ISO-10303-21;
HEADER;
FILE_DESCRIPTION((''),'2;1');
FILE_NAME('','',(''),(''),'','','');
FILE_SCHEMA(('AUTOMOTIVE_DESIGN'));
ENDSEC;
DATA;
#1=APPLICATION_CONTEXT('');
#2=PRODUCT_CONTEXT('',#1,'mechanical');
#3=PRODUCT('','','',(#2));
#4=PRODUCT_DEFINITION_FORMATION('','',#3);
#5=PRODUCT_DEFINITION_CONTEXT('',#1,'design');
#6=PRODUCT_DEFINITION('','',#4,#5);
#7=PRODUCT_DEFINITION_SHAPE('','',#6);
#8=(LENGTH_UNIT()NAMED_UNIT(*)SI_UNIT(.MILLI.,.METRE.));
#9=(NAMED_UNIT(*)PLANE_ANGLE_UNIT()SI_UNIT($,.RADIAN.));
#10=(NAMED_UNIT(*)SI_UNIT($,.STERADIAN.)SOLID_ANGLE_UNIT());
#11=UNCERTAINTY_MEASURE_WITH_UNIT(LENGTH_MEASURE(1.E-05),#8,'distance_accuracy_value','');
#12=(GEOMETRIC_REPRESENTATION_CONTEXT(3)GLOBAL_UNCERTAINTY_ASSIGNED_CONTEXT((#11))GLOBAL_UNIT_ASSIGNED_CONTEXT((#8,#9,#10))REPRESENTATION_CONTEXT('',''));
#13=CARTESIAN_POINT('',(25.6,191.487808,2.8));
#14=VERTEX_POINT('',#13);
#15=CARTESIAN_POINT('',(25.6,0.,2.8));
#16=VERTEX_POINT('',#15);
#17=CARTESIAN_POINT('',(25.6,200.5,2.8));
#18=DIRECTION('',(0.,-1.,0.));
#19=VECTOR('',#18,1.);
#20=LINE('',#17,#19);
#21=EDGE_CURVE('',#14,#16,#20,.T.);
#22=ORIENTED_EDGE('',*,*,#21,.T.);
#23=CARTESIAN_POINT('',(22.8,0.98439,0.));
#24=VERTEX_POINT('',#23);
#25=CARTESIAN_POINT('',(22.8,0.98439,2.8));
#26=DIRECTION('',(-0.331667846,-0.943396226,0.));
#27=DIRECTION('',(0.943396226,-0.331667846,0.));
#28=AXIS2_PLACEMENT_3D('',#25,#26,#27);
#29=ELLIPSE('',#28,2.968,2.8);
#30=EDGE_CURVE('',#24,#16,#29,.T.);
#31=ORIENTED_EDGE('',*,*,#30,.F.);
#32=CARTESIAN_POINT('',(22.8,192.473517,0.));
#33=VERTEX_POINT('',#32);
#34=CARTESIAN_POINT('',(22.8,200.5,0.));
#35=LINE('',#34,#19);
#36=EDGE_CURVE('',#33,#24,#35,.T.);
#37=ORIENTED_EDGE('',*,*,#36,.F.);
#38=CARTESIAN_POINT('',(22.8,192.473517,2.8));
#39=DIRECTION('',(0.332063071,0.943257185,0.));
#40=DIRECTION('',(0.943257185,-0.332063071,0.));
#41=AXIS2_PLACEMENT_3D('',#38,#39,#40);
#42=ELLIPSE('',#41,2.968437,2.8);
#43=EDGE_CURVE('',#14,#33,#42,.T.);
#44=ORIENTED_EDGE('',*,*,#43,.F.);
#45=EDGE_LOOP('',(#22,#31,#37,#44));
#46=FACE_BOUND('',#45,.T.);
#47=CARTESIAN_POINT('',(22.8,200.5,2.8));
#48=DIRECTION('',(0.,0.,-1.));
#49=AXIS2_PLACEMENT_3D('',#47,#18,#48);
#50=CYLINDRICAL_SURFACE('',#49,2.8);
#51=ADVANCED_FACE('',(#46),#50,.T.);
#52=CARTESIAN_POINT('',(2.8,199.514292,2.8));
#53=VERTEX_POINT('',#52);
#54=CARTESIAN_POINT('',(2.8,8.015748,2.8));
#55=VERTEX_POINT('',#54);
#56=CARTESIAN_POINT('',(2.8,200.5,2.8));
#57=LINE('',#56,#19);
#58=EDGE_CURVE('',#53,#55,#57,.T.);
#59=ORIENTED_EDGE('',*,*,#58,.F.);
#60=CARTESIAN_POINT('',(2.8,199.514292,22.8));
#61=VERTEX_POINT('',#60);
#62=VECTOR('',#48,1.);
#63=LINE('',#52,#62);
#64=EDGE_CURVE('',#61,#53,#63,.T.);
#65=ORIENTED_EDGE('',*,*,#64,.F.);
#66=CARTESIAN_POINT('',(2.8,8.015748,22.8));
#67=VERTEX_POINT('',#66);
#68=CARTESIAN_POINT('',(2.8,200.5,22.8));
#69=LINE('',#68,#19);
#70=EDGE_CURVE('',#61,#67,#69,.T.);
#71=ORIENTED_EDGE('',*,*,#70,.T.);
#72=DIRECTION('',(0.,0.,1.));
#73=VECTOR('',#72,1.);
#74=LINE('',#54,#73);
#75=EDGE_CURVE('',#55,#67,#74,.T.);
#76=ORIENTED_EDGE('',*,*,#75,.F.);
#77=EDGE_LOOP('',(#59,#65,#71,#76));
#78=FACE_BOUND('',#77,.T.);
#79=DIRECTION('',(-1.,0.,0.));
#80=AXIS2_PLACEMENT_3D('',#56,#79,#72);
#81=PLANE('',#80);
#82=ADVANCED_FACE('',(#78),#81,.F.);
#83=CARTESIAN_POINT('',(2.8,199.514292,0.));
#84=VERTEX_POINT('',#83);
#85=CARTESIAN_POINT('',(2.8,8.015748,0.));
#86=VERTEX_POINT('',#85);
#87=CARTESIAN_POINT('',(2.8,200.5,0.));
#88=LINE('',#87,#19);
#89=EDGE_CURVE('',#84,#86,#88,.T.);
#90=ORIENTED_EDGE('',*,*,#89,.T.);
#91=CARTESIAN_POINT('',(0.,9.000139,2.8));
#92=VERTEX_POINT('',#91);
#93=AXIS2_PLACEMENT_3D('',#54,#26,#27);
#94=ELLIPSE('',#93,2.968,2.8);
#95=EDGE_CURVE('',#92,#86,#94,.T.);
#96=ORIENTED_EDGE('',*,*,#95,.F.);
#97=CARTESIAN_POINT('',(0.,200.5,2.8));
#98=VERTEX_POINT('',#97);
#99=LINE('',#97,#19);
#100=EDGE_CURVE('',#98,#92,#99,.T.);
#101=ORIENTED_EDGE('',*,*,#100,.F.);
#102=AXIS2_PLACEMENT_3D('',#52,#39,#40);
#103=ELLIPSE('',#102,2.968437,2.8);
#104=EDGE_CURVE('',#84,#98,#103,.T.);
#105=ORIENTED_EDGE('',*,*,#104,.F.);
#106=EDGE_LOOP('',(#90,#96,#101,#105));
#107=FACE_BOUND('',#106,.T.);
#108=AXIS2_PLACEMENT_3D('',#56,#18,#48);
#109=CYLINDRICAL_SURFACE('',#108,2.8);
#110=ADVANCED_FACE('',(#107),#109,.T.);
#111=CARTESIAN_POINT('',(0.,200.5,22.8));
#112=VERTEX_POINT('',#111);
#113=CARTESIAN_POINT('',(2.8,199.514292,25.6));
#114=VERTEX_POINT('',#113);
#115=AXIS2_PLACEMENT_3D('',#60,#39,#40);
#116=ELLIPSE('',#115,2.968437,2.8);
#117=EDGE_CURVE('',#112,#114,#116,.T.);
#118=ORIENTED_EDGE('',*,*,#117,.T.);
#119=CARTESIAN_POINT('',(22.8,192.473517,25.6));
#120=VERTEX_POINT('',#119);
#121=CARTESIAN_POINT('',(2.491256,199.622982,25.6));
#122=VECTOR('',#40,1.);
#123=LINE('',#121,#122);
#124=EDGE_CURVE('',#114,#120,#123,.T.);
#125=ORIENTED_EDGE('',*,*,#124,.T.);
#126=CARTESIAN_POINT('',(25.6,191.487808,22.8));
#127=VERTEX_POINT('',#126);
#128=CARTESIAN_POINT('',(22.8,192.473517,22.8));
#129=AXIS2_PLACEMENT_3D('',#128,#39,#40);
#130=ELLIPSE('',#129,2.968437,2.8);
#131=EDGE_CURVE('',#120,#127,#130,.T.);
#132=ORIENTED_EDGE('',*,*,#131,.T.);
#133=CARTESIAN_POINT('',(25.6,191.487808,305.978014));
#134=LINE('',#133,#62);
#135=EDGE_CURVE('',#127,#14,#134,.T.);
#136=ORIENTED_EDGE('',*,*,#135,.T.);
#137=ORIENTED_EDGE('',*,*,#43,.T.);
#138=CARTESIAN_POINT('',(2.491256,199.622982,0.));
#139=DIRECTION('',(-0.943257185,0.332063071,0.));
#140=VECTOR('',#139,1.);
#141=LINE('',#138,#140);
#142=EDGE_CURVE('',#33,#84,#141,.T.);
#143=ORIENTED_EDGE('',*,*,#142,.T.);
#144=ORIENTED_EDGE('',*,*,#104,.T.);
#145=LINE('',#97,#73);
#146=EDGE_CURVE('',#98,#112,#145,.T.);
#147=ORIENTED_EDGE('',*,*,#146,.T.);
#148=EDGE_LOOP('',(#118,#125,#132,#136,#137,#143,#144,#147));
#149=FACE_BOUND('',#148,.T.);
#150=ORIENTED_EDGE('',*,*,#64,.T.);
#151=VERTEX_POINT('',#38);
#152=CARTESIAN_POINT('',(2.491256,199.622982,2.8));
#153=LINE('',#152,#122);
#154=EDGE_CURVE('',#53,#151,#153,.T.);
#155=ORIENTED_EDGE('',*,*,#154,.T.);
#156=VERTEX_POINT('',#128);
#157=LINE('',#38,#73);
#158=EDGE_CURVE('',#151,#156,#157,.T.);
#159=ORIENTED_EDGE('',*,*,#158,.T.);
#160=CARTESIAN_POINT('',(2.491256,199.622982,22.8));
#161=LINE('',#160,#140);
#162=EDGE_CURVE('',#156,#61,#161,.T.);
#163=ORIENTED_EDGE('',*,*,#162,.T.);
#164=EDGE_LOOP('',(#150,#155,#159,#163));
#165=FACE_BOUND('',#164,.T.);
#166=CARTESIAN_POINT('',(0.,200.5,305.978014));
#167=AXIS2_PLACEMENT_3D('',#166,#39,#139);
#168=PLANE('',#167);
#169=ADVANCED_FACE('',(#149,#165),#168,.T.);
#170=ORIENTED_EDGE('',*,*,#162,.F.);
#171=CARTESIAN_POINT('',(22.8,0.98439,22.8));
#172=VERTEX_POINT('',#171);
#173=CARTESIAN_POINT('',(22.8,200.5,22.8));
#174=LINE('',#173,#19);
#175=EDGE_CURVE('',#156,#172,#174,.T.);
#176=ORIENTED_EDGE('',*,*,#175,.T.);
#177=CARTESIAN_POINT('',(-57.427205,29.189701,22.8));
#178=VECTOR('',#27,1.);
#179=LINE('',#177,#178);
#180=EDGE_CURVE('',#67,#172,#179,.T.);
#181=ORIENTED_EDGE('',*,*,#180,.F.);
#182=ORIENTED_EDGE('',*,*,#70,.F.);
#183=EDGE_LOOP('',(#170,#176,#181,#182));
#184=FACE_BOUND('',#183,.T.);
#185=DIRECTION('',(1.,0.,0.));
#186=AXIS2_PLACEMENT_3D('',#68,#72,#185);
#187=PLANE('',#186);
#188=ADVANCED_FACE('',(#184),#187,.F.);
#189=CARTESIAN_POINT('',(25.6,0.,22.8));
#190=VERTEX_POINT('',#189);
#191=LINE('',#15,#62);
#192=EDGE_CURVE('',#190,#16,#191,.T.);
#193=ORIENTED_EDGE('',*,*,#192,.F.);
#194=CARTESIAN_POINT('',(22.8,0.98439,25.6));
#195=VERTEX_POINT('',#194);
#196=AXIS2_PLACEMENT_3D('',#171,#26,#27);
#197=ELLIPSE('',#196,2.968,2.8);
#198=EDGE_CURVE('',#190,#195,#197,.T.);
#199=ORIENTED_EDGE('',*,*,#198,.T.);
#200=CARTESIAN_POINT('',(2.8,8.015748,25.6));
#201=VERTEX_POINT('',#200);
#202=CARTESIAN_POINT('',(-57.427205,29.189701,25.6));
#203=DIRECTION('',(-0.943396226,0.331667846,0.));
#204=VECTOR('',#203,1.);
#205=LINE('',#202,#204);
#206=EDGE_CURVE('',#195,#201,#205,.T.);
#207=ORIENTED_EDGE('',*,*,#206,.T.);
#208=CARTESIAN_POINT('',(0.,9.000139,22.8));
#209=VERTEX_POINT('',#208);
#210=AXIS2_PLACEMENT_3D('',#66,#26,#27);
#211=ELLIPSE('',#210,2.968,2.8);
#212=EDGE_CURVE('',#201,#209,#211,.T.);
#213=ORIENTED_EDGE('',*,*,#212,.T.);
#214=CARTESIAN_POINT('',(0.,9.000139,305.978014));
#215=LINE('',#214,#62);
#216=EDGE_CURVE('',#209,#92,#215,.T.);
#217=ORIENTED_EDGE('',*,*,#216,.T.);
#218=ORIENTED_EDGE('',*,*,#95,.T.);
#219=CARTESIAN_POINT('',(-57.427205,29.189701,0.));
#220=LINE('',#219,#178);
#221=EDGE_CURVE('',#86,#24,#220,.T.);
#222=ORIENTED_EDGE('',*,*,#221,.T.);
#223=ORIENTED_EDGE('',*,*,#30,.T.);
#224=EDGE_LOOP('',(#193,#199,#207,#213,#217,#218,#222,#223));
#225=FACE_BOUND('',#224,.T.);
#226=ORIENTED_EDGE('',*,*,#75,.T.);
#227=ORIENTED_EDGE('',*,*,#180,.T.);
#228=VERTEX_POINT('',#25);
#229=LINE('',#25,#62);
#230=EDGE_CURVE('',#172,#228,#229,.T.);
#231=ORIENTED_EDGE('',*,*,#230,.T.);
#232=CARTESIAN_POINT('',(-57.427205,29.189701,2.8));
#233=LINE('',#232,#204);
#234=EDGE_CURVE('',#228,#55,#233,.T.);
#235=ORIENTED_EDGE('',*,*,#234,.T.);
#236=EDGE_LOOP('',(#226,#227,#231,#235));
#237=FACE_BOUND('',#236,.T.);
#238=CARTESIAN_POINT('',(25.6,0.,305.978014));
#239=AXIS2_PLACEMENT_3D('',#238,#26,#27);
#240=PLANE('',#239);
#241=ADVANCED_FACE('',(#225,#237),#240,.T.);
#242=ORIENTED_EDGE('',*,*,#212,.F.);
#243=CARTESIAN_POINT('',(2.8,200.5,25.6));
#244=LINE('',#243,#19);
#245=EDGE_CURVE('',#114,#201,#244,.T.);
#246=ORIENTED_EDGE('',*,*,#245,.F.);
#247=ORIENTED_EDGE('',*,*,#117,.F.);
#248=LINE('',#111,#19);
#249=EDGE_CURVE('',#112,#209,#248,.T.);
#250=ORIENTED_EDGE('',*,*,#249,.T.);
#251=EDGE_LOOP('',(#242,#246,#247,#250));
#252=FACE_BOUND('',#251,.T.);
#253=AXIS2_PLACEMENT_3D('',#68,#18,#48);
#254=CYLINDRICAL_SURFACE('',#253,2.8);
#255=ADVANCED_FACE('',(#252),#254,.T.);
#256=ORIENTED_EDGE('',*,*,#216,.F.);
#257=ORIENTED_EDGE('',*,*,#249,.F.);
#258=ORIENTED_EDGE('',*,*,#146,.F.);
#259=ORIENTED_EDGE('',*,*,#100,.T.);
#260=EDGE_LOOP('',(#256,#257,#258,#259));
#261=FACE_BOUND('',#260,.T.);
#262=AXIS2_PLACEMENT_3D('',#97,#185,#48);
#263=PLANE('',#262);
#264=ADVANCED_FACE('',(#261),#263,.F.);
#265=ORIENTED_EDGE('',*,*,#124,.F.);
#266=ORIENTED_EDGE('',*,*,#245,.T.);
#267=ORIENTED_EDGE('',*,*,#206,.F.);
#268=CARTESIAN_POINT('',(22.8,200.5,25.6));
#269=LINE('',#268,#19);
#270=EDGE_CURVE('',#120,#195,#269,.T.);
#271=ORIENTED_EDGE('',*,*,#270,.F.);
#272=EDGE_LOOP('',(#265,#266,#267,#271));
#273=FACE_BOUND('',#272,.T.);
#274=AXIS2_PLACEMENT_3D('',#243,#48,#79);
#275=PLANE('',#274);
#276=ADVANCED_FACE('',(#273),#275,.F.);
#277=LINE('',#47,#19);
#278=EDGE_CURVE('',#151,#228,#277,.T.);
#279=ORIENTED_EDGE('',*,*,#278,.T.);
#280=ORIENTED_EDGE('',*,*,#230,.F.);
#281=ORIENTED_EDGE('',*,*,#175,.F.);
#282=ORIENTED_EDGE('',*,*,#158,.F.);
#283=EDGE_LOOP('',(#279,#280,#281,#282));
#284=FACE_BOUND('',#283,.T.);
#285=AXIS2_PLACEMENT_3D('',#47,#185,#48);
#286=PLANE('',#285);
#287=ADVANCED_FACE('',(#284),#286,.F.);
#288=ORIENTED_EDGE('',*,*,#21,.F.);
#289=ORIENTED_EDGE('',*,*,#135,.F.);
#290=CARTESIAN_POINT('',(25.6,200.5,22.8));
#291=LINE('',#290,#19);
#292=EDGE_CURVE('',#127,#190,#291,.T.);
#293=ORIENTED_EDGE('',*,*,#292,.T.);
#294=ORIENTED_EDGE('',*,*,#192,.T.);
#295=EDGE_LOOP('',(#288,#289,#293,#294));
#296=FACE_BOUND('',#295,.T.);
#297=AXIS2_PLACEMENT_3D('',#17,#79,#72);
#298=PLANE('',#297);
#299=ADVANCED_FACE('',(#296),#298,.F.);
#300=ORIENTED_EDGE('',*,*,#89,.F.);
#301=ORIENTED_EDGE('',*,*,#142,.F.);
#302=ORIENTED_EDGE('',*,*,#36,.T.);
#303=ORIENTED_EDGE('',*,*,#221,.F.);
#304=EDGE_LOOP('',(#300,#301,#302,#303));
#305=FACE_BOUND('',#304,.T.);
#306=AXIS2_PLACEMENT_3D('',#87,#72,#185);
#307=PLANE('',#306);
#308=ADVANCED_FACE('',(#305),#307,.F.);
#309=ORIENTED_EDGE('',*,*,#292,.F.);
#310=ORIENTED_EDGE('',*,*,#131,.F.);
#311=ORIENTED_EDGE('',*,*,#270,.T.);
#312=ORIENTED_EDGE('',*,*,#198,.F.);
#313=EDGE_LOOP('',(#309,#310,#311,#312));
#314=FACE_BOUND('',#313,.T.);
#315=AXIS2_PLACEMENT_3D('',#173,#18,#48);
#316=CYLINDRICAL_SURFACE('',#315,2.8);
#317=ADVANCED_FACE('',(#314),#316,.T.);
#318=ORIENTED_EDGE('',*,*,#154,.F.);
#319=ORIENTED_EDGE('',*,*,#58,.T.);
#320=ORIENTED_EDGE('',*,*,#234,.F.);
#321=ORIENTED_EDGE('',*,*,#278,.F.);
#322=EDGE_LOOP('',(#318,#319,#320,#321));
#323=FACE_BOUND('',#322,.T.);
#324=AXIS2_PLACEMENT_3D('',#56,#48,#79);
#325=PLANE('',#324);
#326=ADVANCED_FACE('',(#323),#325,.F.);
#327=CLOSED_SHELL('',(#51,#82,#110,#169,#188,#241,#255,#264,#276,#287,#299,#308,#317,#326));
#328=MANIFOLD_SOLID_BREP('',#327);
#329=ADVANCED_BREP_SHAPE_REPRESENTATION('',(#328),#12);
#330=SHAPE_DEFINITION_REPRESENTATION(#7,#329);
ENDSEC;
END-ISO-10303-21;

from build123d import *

# Parameters (mm, degrees)
BOSS_EXTRUDE1_DEPTH     = 200.5
SKETCH3_W               = 20
SKETCH3_H               = 20
CUT_EXTRUDE1_DEPTH      = 200.5
CUT_EXTRUDE2_DEPTH      = 204.409562214
CUT_EXTRUDE2_DEPTH_BACK = 204.409562214
CUT_EXTRUDE4_DEPTH      = 204.409562214
CUT_EXTRUDE4_DEPTH_BACK = 204.409562214


with BuildPart() as part:
    # Sketch1 → Boss-Extrude1 (new body)
    with BuildSketch(Plane(origin=(0, 0, 0), x_dir=(1, 0, 0), z_dir=(0, 1, 0))):
        with BuildLine():
            Line((2.8, 0), (22.8, 0))
            ThreePointArc((22.8, 0), (24.779898987, -0.820101013), (25.6, -2.8))
            Line((25.6, -2.8), (25.6, -22.8))
            ThreePointArc((25.6, -22.8), (24.779898987, -24.779898987), (22.8, -25.6))
            Line((22.8, -25.6), (2.8, -25.6))
            ThreePointArc((2.8, -25.6), (0.820101013, -24.779898987), (0, -22.8))
            Line((0, -22.8), (0, -2.8))
            ThreePointArc((0, -2.8), (0.820101013, -0.820101013), (2.8, 0))
        make_face()
    extrude(amount=BOSS_EXTRUDE1_DEPTH)

    # Sketch3 → Cut-Extrude1 (cut)
    with BuildSketch(Plane(origin=(0, 0, 0), x_dir=(-1, 0, 0), z_dir=(0, -1, 0))):
        with Locations((-12.8, -12.8)):
            Rectangle(SKETCH3_W, SKETCH3_H)
    extrude(amount=-CUT_EXTRUDE1_DEPTH, mode=Mode.SUBTRACT)

    # Sketch8 → Cut-Extrude2 (cut, two sides: drawn at the far end of the back side and taken through both)
    with BuildSketch(Plane.XY.offset(22.8).offset(-CUT_EXTRUDE2_DEPTH_BACK)):
        Polygon((416.406994633, -137.395200906), (25.6, 0), (0, 9.000138666), (-390.806994633, 146.395339571), (-665.597396445, -635.218649695), (141.616592822, -919.009190172), align=None)
    extrude(amount=CUT_EXTRUDE2_DEPTH + CUT_EXTRUDE2_DEPTH_BACK, mode=Mode.SUBTRACT)

    # Sketch9 → Cut-Extrude4 (cut, two sides: drawn at the far end of the back side and taken through both)
    with BuildSketch(Plane.XY.offset(22.8).offset(-CUT_EXTRUDE4_DEPTH_BACK)):
        Polygon((-390.749395961, 338.058924984), (0, 200.5), (25.6, 191.487808258), (416.349395961, 53.928883274), (691.467245928, 835.427675195), (-115.631545993, 1119.557716905), align=None)
    extrude(amount=CUT_EXTRUDE4_DEPTH + CUT_EXTRUDE4_DEPTH_BACK, mode=Mode.SUBTRACT)


solid = part.part
